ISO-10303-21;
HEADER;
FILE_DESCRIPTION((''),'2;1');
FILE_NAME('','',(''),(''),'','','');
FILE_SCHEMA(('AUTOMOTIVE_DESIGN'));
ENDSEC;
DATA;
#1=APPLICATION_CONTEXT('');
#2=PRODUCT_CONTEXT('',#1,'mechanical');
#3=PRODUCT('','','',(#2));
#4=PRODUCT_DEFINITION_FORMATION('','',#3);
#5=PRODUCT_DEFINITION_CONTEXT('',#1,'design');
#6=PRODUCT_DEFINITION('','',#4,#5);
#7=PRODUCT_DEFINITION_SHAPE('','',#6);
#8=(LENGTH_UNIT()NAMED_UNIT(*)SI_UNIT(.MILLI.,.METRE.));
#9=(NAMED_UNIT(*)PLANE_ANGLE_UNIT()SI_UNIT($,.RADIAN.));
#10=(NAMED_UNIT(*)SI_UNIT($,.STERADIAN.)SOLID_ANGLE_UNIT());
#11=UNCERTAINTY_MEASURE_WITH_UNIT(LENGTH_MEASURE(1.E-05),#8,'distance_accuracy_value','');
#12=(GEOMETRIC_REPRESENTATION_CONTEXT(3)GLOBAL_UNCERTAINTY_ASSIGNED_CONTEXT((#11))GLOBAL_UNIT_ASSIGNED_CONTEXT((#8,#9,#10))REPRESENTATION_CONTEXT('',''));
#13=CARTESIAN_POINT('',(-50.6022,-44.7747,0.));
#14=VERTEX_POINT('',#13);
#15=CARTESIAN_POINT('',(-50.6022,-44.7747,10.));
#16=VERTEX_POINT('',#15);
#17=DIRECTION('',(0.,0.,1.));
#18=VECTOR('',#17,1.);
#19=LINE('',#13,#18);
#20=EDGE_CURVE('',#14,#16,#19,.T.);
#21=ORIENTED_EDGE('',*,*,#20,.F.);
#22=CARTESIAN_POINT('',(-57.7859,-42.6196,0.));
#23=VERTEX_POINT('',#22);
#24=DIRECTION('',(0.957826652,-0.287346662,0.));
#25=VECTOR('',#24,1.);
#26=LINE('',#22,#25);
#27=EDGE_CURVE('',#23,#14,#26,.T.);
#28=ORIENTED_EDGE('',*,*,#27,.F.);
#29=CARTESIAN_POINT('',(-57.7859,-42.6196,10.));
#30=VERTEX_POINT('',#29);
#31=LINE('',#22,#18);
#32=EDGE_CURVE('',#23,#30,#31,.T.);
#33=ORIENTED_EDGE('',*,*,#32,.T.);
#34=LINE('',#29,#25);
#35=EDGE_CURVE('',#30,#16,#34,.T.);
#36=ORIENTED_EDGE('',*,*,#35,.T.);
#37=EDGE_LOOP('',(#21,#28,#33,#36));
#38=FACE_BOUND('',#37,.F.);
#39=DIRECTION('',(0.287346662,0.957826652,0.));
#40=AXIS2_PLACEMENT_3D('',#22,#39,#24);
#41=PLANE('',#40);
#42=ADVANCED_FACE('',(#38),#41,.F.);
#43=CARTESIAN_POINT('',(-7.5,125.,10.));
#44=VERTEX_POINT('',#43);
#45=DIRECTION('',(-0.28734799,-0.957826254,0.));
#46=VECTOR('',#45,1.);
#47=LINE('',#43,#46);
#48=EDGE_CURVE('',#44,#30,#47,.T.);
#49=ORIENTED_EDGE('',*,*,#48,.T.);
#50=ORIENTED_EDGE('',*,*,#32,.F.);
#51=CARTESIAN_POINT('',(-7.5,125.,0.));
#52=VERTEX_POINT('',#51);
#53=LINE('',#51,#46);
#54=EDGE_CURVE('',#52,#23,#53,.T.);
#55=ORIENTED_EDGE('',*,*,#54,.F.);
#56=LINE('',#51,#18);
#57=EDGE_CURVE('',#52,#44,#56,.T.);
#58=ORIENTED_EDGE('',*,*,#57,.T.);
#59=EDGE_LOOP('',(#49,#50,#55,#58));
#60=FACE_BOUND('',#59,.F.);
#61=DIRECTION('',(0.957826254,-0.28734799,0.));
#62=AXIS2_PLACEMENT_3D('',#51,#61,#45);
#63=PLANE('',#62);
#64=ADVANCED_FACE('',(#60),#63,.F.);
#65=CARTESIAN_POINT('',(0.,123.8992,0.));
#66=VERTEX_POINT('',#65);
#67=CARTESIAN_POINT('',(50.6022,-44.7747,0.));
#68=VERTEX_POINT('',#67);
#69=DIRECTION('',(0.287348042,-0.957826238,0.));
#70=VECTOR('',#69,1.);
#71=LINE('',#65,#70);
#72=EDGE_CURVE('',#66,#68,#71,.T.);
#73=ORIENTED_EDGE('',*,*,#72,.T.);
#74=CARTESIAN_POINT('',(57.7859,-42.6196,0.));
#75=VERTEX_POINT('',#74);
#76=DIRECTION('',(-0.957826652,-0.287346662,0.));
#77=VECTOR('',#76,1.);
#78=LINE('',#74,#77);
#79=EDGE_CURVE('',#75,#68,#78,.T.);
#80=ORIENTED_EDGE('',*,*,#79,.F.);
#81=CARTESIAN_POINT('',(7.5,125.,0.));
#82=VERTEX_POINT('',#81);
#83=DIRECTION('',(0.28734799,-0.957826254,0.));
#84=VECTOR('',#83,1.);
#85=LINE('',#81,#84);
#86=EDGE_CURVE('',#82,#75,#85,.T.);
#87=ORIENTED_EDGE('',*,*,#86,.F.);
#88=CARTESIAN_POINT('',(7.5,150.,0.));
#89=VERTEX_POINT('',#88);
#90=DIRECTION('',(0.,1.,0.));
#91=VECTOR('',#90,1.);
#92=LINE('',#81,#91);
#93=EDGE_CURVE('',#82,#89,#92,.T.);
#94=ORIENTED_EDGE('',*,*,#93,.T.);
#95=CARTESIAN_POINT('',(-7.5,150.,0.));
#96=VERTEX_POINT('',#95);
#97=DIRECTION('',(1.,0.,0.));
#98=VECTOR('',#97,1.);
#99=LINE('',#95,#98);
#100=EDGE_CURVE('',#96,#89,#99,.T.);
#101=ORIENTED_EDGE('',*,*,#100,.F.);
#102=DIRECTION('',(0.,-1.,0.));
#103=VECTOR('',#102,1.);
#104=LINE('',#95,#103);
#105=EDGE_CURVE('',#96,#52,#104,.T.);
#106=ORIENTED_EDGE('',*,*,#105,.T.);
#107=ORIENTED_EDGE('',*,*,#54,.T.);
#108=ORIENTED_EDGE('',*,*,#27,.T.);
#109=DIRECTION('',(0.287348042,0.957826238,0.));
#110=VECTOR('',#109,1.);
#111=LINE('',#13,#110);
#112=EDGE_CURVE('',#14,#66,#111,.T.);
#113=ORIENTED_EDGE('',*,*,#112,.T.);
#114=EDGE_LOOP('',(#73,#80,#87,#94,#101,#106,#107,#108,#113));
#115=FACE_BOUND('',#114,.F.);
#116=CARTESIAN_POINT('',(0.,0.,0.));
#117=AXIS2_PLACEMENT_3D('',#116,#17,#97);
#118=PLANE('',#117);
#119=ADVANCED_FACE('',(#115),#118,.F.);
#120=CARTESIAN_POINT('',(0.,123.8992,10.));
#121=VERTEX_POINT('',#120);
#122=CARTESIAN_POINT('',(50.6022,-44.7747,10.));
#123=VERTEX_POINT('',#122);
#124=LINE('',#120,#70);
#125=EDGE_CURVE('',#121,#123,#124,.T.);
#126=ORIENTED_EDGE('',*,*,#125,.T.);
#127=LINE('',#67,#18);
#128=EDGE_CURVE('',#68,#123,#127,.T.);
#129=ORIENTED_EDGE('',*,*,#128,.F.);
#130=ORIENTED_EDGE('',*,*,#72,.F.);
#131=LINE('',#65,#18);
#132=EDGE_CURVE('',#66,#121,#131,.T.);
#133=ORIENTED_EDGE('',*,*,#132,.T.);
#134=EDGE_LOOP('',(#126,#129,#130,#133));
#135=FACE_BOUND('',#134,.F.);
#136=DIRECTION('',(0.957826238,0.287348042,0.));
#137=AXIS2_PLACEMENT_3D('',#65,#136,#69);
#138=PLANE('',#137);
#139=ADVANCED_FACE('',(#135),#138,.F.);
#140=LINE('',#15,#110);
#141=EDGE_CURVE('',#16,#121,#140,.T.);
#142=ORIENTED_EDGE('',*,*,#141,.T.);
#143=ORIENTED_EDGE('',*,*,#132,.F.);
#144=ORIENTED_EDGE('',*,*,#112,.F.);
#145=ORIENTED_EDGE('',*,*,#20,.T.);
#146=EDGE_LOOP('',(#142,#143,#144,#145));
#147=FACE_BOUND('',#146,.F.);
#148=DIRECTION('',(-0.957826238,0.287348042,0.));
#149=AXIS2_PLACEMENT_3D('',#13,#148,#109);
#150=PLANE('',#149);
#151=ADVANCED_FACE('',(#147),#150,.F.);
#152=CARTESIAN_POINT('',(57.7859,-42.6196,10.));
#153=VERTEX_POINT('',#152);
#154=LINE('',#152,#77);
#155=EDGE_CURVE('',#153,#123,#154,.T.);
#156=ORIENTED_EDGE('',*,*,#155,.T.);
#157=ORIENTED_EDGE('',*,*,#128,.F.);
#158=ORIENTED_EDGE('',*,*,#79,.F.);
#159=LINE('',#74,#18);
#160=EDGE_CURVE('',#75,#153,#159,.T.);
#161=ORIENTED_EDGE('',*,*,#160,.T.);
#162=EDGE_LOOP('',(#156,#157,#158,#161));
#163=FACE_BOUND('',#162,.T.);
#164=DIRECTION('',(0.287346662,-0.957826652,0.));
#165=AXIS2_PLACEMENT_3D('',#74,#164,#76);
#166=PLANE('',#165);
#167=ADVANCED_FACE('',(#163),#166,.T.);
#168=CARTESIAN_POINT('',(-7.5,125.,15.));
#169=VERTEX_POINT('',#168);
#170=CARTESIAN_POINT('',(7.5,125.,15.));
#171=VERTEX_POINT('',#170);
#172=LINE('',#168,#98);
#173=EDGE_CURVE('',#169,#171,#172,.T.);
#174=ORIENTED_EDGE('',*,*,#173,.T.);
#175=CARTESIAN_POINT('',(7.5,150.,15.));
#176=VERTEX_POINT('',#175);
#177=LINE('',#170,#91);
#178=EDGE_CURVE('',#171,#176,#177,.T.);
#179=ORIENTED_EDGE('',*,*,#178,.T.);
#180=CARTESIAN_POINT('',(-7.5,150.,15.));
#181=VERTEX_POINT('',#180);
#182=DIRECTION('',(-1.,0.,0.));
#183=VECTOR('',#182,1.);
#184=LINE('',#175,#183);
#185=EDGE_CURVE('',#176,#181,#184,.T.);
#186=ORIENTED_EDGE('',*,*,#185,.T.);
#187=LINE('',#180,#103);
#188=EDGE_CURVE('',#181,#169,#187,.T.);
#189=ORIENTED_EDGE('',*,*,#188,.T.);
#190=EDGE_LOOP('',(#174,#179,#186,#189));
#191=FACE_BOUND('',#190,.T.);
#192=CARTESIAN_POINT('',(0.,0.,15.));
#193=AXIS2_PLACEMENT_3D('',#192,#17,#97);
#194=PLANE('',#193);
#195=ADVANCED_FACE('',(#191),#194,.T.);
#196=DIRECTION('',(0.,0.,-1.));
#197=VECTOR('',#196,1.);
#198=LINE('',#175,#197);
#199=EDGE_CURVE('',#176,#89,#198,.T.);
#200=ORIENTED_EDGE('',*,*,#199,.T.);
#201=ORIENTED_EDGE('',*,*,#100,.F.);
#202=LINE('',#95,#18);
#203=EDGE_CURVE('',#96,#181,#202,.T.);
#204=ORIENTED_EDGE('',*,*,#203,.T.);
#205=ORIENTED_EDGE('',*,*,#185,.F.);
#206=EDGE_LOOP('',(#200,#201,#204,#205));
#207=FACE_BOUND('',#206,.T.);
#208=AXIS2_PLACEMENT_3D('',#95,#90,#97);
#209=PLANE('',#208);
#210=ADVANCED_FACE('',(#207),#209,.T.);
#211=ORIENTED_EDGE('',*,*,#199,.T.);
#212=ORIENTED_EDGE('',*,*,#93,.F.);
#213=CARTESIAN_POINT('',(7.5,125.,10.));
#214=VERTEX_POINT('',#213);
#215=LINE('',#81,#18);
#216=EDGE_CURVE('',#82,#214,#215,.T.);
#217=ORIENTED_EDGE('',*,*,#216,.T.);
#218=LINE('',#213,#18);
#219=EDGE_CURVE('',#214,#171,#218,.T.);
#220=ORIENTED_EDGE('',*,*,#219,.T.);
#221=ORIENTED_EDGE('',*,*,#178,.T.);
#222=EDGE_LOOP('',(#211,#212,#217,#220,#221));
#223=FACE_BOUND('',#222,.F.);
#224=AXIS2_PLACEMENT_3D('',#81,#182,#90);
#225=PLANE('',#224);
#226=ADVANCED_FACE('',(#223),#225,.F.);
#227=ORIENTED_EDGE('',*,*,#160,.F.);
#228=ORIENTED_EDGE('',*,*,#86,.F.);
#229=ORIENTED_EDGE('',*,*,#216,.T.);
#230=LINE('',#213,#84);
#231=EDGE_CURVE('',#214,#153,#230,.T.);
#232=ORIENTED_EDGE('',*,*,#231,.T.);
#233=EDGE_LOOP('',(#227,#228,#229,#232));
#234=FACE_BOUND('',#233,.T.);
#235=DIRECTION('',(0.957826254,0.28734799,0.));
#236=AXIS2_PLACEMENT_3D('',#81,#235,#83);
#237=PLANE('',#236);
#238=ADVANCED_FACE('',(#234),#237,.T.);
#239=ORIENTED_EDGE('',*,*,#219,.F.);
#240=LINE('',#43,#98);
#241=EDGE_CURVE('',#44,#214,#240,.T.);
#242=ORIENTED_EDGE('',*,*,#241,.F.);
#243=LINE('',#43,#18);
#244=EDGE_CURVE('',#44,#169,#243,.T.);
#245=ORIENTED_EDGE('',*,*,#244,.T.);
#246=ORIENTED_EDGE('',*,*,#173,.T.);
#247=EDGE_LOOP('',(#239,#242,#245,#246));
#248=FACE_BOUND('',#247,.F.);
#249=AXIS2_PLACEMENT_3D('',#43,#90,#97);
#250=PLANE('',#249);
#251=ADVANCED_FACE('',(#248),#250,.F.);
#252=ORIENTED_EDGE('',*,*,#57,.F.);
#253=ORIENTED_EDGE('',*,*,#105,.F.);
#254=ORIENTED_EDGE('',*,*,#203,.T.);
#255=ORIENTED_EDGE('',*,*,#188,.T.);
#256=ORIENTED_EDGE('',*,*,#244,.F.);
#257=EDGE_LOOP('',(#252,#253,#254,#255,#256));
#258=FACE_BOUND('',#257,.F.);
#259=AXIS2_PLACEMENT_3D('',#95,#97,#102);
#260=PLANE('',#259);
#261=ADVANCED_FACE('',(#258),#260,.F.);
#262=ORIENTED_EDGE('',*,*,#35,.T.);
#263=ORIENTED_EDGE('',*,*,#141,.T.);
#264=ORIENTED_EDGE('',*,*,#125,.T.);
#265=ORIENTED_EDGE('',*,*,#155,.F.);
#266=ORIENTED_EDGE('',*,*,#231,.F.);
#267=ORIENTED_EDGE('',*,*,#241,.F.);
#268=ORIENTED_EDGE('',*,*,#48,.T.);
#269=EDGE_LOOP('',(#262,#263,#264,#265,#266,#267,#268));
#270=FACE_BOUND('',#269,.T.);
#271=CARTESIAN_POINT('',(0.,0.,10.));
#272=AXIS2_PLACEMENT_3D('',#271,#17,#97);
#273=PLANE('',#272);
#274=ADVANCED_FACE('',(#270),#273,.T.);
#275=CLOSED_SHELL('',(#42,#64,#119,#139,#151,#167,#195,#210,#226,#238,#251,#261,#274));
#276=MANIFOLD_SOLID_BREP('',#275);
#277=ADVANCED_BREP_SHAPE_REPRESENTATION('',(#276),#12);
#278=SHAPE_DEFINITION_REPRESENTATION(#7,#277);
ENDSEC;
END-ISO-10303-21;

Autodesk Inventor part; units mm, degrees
ref_plane "YZ Plane" through (0, 0, 0) normal (1, 0, 0) x (0, 1, 0)
ref_plane "XZ Plane" through (0, 0, 0) normal (0, 1, 0) x (-1, 0, 0)
ref_plane "XY Plane" through (0, 0, 0) normal (0, 0, 1) x (1, 0, 0)
sketch "Skizze1" plane through (0, 0, 0) normal (0, 0, 1) x (1, 0, 0)
  line L0 (-75, 0) -> (75, 0) construction
  circle A0 centre (0, 0) radius 37.5 construction
  line L1 (0, 0) -> (0, 125) construction
  line L2 (0, 125) -> (0, 150) construction
  line L3 (-7.5, 150) -> (7.5, 150) construction
  line L4 (-7.5, 125) -> (7.5, 125) construction
  line L5 (-7.5, 150) -> (7.5, 150)
  line L6 (7.5, 125) -> (7.5, 150)
  line L7 (-7.5, 150) -> (-7.5, 125)
  circle A1 centre (0, 0) radius 45 construction
  line L8 (-7.5, 125) -> (-57.7859, -42.6196)
  line L9 (7.5, 125) -> (57.7859, -42.6196)
  line L10 (-50.6022, -44.7747) -> (0, 123.8992)
  line L11 (0, 123.8992) -> (50.6022, -44.7747)
  line L12 (-57.7859, -42.6196) -> (-50.6022, -44.7747)
  line L13 (57.7859, -42.6196) -> (50.6022, -44.7747)
  point P0 (-45, 0)
  point P1 (45, 0)
  dimension "d0" = 150
  dimension "d1" = 75
  dimension "d2" = 125
  dimension "d3" = 25
  dimension "d4" = 15
  dimension "d5" = 90
  dimension "d6" = 175
  dimension "d7" = 175
  dimension "d8" = 7.5
  dimension "d9" = 7.5
extrude "Extrusion1" add sketch "Skizze1" along normal blind 10
sketch "Skizze2" plane through (0, 0, 10) normal (0, 0, 1) x (1, 0, 0)
  line L0 (-7.5, 150) -> (-7.5, 125) projected
  line L1 (7.5, 150) -> (-7.5, 150) projected
  line L2 (7.5, 125) -> (7.5, 150) projected
  line L3 (-7.5, 125) -> (7.5, 125)
  point P0 (0, 0)
extrude "Extrusion2" add sketch "Skizze2" along normal blind 5
sketch "Skizze3" plane through (0, 0, 10) normal (0, 0, 1) x (1, 0, 0)
  line L0 (-75, 0) -> (75, 0) construction
  line L1 (-50.6022, -44.7747) -> (0, 123.8992) projected
  line L2 (0, 123.8992) -> (50.6022, -44.7747) projected
  point P0 (0, 0)
  point P1 (-37.1698, 0)
  point P2 (37.1698, 0)
equation "\"Biegeradius\" = Stärke"
equation "\"BreiteBiegungsfreistellung\" = Stärke"
equation "\"TiefeBiegungsfreistellung\" = 0.5 * Stärke"
equation "\"GrößeEckenfreistellung\" = 4 * Stärke"
equation "\"MinimalRest\" = 2 * Stärke"
equation "\"Übergangsradius\" = Biegeradius"
equation "\"JacobiRadiusGröße\" = Biegeradius"
equation "\"Abstandsgröße\" = Stärke"
equation "\"Stärke\" = 0.5"
properties part number "deichsel"
